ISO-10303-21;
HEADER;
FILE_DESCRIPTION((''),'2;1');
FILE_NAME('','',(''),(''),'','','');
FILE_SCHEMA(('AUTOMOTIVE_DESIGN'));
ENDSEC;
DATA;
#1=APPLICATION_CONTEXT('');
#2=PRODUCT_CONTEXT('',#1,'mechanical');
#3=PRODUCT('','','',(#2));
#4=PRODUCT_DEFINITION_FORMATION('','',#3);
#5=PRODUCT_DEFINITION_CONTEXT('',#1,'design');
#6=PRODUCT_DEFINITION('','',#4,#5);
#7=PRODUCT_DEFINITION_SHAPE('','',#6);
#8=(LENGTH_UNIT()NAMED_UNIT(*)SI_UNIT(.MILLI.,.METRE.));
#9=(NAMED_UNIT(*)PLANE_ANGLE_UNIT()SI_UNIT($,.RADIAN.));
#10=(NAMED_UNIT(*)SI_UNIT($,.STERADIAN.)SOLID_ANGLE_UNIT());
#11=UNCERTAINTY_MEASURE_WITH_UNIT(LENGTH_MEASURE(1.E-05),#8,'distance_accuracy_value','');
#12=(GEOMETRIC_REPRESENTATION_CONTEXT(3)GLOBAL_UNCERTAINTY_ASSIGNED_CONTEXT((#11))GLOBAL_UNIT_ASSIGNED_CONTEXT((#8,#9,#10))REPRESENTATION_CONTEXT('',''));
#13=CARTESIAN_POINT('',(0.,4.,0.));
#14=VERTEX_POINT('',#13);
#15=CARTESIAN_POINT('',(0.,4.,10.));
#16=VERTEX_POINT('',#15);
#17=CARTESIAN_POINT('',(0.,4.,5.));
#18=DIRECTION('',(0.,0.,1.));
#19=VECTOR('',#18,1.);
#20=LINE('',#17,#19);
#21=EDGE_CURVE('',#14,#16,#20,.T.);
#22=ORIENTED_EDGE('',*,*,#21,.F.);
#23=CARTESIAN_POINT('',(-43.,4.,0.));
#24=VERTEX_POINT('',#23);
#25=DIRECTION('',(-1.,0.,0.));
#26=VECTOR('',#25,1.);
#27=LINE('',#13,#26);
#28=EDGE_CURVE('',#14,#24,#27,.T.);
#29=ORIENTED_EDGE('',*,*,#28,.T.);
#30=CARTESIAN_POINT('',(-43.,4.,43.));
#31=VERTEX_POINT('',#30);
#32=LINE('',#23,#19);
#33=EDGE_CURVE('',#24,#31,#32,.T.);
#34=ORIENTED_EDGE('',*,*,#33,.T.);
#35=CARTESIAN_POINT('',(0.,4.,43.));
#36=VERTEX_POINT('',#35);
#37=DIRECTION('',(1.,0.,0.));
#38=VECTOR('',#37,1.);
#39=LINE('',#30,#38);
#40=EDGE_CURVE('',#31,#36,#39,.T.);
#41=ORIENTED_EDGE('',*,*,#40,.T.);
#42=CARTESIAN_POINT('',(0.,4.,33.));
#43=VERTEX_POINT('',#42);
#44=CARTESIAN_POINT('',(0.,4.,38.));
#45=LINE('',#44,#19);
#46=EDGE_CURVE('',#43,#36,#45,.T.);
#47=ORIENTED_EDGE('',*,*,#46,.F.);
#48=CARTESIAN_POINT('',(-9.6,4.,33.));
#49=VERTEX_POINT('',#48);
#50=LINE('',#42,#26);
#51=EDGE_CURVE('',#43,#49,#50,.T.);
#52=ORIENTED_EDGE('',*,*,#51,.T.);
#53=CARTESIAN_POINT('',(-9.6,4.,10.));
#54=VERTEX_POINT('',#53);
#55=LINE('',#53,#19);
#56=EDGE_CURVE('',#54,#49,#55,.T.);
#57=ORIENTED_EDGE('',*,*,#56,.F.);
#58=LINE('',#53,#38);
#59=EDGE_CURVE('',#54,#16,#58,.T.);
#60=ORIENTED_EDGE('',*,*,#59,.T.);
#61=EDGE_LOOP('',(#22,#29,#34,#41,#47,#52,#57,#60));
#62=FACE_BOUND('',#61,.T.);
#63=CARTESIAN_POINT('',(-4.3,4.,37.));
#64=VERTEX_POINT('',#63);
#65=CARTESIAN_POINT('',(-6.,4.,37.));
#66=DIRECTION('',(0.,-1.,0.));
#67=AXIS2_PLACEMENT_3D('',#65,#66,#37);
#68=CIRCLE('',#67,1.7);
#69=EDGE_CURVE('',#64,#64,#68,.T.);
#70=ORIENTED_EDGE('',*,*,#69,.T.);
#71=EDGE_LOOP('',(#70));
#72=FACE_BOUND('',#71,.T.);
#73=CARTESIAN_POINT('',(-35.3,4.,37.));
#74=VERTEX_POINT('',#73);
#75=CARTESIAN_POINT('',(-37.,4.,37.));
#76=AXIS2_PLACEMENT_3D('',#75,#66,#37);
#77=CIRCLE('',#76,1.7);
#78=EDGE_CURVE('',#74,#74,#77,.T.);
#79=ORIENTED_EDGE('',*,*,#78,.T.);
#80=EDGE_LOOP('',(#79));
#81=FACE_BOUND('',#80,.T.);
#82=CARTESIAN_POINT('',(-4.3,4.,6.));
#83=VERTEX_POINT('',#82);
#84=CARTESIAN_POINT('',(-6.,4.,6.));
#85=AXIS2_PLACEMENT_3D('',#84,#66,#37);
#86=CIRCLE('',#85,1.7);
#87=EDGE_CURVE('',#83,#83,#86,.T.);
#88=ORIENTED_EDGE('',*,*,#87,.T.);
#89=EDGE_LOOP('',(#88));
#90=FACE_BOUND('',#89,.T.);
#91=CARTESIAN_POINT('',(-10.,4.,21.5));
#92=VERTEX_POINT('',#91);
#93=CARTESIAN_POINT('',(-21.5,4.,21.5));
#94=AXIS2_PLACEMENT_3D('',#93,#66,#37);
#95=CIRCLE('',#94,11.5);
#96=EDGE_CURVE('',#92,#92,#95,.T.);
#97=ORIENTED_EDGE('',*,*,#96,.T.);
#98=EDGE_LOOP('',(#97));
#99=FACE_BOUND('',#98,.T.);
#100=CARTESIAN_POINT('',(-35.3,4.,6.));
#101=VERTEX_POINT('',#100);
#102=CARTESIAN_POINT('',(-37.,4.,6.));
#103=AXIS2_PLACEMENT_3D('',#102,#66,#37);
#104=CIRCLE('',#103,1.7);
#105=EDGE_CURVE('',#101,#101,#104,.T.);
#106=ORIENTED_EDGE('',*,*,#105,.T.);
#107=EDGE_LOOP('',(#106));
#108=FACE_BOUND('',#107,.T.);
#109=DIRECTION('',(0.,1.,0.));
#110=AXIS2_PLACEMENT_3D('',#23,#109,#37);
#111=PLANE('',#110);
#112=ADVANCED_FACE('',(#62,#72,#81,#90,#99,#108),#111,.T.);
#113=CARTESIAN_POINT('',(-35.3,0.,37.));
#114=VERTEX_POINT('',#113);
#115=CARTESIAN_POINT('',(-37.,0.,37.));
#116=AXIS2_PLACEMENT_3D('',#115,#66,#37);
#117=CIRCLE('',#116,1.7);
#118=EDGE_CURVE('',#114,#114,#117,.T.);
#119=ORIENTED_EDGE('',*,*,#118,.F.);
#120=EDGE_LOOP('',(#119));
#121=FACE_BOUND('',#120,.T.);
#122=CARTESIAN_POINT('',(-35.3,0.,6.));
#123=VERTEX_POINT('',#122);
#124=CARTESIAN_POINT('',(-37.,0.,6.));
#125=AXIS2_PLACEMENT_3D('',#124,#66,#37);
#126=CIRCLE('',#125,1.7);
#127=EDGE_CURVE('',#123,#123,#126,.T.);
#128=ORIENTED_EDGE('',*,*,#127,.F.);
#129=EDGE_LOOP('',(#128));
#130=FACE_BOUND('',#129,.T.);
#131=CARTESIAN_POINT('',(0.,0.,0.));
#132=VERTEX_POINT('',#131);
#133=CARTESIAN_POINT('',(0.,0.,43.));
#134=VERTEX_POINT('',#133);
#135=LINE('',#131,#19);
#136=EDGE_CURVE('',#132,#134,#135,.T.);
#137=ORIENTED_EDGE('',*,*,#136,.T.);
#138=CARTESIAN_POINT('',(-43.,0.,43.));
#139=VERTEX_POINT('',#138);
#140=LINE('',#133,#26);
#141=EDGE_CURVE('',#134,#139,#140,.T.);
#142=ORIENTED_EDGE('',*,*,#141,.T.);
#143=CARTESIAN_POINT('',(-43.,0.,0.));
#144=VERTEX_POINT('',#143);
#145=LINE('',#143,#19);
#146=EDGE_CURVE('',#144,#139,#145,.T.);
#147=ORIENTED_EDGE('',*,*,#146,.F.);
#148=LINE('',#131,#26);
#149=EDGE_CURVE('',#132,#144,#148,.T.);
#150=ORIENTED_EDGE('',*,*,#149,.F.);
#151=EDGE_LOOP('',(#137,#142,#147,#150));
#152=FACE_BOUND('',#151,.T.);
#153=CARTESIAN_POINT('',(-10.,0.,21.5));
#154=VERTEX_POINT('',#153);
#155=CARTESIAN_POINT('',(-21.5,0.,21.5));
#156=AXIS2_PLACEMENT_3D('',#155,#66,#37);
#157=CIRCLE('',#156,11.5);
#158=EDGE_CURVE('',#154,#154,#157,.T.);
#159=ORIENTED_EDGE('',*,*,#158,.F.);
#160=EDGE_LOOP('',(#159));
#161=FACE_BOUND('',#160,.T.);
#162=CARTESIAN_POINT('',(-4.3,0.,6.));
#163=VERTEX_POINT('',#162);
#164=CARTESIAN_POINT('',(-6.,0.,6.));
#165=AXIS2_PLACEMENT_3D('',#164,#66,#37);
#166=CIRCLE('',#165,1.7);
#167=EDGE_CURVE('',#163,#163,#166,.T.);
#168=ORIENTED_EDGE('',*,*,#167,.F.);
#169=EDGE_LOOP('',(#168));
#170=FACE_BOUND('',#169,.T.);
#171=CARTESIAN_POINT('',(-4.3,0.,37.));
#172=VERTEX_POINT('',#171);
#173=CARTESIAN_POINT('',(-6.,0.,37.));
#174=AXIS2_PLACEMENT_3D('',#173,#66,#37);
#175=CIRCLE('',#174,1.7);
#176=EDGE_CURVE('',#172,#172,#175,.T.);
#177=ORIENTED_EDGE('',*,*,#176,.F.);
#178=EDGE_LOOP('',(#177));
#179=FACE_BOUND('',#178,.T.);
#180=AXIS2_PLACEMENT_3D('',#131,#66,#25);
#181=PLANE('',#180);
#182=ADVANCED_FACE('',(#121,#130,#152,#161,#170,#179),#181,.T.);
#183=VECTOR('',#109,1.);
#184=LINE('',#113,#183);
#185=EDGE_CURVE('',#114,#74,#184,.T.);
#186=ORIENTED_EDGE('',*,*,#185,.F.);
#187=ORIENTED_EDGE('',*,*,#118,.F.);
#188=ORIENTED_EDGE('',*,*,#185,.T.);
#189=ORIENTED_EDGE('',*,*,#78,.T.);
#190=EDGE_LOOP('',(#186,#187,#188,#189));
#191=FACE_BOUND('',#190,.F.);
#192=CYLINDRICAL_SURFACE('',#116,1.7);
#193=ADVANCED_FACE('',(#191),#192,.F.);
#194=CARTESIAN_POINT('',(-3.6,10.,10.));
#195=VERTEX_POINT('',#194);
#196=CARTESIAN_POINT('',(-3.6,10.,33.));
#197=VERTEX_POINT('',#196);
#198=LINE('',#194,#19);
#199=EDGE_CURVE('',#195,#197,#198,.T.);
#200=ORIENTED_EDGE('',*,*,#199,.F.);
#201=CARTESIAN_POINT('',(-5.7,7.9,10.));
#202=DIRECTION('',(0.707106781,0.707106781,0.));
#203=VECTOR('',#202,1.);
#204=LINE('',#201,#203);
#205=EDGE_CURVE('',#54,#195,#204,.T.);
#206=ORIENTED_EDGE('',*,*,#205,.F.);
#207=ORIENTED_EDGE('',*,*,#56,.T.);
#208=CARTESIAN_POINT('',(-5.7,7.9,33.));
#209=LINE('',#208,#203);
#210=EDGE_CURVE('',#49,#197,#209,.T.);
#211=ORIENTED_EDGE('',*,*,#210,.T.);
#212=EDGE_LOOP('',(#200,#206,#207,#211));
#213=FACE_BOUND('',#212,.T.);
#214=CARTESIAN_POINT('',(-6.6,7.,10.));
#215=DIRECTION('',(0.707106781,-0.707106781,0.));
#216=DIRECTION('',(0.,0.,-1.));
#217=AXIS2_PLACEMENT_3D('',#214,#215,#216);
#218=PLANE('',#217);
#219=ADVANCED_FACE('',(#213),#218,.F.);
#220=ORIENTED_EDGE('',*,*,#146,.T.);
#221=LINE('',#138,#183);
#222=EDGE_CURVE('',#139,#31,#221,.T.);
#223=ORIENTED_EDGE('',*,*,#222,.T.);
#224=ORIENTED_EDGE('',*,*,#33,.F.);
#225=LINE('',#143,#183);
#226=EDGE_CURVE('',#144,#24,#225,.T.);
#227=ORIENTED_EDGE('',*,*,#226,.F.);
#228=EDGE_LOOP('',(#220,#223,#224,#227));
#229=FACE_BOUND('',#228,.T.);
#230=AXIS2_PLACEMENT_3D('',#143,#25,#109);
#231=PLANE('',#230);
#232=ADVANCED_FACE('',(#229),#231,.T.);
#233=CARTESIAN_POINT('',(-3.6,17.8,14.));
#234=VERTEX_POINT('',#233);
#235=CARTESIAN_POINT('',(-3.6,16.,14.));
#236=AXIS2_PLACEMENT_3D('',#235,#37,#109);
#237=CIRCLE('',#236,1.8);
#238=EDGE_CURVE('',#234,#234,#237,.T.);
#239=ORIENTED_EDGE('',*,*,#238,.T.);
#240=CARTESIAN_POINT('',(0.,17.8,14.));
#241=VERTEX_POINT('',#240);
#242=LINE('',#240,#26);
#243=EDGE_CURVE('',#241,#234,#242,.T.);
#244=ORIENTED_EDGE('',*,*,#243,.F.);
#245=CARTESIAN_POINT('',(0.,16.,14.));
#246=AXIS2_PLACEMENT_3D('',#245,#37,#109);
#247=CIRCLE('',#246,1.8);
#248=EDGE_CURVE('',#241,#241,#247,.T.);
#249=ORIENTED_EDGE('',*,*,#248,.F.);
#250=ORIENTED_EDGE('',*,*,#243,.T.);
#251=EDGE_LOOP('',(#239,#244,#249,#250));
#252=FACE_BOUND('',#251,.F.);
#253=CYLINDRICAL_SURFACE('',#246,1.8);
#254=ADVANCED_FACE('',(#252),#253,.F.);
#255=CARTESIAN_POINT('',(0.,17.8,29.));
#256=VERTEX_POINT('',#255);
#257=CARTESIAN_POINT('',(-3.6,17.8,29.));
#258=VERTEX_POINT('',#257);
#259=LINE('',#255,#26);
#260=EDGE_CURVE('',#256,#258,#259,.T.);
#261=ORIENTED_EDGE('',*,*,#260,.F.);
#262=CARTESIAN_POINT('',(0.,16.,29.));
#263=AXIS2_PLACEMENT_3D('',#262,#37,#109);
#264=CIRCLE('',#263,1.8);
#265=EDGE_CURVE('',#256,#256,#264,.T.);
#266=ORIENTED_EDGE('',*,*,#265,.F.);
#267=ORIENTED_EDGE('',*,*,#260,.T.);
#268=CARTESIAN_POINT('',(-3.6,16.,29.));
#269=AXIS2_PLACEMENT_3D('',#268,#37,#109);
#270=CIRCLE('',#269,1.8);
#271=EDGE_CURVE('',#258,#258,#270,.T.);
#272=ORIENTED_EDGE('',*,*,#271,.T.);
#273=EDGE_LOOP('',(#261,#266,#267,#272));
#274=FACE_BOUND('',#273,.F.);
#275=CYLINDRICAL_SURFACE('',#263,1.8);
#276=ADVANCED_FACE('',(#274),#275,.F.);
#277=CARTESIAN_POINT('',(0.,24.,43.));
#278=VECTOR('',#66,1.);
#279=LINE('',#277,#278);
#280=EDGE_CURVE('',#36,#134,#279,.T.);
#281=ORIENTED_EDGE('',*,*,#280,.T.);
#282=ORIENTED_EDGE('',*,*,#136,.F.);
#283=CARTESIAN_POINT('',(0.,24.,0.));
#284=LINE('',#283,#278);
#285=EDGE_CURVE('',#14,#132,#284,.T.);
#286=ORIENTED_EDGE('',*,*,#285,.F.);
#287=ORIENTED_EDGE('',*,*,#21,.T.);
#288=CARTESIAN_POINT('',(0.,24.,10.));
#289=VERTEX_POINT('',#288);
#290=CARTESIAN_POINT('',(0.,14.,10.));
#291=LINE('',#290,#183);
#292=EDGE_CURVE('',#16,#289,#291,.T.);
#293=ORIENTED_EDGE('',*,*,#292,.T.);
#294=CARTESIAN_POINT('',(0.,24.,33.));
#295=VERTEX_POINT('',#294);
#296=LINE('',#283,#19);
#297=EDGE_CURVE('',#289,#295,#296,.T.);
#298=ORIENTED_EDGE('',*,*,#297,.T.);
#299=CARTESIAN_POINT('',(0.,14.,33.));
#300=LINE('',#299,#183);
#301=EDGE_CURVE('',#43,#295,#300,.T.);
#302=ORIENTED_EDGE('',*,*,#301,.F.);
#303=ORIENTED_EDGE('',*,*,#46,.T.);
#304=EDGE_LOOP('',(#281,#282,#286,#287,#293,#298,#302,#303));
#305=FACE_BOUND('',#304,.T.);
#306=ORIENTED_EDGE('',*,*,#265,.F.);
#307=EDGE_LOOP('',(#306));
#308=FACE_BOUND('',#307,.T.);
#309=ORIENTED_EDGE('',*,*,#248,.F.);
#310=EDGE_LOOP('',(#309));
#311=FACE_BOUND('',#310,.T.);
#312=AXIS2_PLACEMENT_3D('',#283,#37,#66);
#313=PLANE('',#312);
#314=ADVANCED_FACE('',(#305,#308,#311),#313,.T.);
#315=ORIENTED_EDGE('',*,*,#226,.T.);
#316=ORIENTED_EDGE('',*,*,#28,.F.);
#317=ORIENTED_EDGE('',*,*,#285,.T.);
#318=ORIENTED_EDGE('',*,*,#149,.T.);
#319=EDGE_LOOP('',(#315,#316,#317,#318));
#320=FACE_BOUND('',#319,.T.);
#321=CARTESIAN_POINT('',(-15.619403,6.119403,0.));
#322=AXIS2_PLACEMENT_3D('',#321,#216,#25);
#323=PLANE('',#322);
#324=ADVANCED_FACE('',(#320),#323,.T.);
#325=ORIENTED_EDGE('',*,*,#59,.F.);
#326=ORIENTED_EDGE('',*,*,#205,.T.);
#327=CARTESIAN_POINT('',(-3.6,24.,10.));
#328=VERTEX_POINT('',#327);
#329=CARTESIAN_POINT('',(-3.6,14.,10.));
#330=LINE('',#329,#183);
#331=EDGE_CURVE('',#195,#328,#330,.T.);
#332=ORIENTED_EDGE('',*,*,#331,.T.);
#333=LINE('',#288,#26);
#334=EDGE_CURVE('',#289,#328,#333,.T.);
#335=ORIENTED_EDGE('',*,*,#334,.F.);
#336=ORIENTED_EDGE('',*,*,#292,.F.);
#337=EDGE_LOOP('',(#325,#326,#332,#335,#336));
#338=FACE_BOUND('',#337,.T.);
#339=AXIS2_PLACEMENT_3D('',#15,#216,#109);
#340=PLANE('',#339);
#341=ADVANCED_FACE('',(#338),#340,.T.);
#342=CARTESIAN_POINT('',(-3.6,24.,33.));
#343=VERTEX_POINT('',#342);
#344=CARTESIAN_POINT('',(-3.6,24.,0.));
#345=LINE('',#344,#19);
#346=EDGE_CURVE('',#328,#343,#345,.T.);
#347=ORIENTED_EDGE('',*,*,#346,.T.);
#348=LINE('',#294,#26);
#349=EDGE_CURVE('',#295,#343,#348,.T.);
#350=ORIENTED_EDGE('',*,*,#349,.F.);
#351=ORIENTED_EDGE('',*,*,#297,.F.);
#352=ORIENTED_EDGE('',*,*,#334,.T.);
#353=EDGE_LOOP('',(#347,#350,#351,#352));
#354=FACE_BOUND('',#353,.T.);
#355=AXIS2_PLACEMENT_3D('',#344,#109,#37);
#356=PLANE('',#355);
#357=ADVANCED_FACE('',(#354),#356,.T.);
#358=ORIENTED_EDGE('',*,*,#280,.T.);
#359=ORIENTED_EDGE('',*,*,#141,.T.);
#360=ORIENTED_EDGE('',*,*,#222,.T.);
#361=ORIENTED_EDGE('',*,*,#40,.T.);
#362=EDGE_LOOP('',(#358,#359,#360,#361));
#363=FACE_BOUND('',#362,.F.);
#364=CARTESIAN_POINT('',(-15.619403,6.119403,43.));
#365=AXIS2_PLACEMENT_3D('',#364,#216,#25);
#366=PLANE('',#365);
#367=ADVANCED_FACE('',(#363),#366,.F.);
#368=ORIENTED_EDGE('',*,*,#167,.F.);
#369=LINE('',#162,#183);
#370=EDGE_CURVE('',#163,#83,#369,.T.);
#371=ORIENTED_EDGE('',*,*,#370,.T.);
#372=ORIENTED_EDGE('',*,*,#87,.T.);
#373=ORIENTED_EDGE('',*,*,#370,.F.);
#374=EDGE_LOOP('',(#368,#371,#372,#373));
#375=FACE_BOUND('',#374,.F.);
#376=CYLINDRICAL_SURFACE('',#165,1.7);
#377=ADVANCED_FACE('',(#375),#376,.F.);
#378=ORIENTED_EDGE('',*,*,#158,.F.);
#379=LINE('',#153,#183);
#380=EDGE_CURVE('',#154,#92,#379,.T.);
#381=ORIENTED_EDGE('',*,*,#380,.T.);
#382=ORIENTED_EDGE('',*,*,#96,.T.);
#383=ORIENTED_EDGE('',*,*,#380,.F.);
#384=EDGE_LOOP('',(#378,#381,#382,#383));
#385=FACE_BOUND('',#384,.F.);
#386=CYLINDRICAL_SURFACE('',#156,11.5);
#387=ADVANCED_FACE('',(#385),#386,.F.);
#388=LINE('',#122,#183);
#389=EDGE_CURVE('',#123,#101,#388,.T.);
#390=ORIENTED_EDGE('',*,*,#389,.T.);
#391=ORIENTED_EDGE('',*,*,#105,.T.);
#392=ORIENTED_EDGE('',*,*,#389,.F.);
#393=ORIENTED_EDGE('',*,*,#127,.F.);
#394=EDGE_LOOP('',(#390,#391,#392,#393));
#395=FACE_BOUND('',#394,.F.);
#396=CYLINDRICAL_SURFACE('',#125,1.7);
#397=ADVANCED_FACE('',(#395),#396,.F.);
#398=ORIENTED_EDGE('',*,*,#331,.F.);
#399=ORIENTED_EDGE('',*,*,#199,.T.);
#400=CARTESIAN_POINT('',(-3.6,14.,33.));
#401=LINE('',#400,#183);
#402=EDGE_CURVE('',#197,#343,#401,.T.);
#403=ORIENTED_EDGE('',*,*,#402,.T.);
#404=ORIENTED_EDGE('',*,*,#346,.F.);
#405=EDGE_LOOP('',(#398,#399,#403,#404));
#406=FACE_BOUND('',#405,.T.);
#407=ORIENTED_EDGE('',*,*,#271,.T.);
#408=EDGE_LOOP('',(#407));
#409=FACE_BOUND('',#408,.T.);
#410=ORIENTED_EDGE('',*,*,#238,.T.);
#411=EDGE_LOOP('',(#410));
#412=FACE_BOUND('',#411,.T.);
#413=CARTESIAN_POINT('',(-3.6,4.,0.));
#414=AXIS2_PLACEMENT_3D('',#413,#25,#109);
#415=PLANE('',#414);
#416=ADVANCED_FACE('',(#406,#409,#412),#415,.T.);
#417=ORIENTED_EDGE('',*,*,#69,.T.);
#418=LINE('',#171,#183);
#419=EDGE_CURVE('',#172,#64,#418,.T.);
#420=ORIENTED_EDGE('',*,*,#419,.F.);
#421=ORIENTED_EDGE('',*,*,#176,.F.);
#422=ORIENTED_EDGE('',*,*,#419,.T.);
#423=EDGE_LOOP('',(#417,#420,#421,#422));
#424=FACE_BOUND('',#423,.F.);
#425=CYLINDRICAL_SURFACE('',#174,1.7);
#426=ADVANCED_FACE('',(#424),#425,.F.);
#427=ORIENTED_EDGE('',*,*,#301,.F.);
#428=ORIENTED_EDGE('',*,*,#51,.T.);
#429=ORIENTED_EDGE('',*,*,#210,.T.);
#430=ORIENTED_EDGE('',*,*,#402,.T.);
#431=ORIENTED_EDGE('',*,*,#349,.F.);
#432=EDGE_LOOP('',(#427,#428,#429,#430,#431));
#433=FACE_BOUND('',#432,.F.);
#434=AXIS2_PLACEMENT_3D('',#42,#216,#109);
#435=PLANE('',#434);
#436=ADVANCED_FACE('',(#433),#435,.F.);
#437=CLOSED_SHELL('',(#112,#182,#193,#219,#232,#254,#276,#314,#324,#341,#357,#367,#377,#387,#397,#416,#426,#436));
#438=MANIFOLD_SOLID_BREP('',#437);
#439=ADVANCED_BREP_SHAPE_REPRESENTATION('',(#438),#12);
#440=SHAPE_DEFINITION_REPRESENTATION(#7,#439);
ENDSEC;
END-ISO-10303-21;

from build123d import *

# Parameters (mm, degrees)
PAD003_DEPTH    = 43
SKETCH004_R     = 11.5
SKETCH004_R_2   = 1.7
POCKET_DEPTH    = 4
SKETCH005_R     = 1.8
SKETCH005_W     = 20
SKETCH005_H     = 10
POCKET001_DEPTH = 3.6
CHAMFER_SIZE    = 6


with BuildPart() as part:
    # Sketch003 → Pad003 (new body)
    with BuildSketch(Plane.XY):
        Polygon((-43, 4), (-3.6, 4), (-3.6, 24), (0, 24), (0, 0), (-43, 0), align=None)
    extrude(amount=PAD003_DEPTH)

    # Sketch004 → Pocket (cut)
    with BuildSketch(Plane.XZ):
        with Locations((-21.5, 21.5)):
            Circle(SKETCH004_R)
        with Locations((-37, 37)):
            Circle(SKETCH004_R_2)
        with Locations((-6, 37)):
            Circle(SKETCH004_R_2)
        with Locations((-6, 6)):
            Circle(SKETCH004_R_2)
        with Locations((-37, 6)):
            Circle(SKETCH004_R_2)
    extrude(amount=-POCKET_DEPTH, mode=Mode.SUBTRACT)

    # Sketch005 → Pocket001 (cut)
    with BuildSketch(Plane.YZ):
        with Locations((16, 29)):
            Circle(SKETCH005_R)
        with Locations((16, 14)):
            Circle(SKETCH005_R)
        with Locations((14, 38)):
            Rectangle(SKETCH005_W, SKETCH005_H)
        with Locations((14, 5)):
            Rectangle(SKETCH005_W, SKETCH005_H)
    extrude(amount=-POCKET001_DEPTH, mode=Mode.SUBTRACT)

    # Chamfer
    chamfer_edges = [part.edges().sort_by_distance(p)[0] for p in [
        (-3.6, 4, 21.5),
    ]]
    chamfer(chamfer_edges, length=CHAMFER_SIZE)


solid = part.part
